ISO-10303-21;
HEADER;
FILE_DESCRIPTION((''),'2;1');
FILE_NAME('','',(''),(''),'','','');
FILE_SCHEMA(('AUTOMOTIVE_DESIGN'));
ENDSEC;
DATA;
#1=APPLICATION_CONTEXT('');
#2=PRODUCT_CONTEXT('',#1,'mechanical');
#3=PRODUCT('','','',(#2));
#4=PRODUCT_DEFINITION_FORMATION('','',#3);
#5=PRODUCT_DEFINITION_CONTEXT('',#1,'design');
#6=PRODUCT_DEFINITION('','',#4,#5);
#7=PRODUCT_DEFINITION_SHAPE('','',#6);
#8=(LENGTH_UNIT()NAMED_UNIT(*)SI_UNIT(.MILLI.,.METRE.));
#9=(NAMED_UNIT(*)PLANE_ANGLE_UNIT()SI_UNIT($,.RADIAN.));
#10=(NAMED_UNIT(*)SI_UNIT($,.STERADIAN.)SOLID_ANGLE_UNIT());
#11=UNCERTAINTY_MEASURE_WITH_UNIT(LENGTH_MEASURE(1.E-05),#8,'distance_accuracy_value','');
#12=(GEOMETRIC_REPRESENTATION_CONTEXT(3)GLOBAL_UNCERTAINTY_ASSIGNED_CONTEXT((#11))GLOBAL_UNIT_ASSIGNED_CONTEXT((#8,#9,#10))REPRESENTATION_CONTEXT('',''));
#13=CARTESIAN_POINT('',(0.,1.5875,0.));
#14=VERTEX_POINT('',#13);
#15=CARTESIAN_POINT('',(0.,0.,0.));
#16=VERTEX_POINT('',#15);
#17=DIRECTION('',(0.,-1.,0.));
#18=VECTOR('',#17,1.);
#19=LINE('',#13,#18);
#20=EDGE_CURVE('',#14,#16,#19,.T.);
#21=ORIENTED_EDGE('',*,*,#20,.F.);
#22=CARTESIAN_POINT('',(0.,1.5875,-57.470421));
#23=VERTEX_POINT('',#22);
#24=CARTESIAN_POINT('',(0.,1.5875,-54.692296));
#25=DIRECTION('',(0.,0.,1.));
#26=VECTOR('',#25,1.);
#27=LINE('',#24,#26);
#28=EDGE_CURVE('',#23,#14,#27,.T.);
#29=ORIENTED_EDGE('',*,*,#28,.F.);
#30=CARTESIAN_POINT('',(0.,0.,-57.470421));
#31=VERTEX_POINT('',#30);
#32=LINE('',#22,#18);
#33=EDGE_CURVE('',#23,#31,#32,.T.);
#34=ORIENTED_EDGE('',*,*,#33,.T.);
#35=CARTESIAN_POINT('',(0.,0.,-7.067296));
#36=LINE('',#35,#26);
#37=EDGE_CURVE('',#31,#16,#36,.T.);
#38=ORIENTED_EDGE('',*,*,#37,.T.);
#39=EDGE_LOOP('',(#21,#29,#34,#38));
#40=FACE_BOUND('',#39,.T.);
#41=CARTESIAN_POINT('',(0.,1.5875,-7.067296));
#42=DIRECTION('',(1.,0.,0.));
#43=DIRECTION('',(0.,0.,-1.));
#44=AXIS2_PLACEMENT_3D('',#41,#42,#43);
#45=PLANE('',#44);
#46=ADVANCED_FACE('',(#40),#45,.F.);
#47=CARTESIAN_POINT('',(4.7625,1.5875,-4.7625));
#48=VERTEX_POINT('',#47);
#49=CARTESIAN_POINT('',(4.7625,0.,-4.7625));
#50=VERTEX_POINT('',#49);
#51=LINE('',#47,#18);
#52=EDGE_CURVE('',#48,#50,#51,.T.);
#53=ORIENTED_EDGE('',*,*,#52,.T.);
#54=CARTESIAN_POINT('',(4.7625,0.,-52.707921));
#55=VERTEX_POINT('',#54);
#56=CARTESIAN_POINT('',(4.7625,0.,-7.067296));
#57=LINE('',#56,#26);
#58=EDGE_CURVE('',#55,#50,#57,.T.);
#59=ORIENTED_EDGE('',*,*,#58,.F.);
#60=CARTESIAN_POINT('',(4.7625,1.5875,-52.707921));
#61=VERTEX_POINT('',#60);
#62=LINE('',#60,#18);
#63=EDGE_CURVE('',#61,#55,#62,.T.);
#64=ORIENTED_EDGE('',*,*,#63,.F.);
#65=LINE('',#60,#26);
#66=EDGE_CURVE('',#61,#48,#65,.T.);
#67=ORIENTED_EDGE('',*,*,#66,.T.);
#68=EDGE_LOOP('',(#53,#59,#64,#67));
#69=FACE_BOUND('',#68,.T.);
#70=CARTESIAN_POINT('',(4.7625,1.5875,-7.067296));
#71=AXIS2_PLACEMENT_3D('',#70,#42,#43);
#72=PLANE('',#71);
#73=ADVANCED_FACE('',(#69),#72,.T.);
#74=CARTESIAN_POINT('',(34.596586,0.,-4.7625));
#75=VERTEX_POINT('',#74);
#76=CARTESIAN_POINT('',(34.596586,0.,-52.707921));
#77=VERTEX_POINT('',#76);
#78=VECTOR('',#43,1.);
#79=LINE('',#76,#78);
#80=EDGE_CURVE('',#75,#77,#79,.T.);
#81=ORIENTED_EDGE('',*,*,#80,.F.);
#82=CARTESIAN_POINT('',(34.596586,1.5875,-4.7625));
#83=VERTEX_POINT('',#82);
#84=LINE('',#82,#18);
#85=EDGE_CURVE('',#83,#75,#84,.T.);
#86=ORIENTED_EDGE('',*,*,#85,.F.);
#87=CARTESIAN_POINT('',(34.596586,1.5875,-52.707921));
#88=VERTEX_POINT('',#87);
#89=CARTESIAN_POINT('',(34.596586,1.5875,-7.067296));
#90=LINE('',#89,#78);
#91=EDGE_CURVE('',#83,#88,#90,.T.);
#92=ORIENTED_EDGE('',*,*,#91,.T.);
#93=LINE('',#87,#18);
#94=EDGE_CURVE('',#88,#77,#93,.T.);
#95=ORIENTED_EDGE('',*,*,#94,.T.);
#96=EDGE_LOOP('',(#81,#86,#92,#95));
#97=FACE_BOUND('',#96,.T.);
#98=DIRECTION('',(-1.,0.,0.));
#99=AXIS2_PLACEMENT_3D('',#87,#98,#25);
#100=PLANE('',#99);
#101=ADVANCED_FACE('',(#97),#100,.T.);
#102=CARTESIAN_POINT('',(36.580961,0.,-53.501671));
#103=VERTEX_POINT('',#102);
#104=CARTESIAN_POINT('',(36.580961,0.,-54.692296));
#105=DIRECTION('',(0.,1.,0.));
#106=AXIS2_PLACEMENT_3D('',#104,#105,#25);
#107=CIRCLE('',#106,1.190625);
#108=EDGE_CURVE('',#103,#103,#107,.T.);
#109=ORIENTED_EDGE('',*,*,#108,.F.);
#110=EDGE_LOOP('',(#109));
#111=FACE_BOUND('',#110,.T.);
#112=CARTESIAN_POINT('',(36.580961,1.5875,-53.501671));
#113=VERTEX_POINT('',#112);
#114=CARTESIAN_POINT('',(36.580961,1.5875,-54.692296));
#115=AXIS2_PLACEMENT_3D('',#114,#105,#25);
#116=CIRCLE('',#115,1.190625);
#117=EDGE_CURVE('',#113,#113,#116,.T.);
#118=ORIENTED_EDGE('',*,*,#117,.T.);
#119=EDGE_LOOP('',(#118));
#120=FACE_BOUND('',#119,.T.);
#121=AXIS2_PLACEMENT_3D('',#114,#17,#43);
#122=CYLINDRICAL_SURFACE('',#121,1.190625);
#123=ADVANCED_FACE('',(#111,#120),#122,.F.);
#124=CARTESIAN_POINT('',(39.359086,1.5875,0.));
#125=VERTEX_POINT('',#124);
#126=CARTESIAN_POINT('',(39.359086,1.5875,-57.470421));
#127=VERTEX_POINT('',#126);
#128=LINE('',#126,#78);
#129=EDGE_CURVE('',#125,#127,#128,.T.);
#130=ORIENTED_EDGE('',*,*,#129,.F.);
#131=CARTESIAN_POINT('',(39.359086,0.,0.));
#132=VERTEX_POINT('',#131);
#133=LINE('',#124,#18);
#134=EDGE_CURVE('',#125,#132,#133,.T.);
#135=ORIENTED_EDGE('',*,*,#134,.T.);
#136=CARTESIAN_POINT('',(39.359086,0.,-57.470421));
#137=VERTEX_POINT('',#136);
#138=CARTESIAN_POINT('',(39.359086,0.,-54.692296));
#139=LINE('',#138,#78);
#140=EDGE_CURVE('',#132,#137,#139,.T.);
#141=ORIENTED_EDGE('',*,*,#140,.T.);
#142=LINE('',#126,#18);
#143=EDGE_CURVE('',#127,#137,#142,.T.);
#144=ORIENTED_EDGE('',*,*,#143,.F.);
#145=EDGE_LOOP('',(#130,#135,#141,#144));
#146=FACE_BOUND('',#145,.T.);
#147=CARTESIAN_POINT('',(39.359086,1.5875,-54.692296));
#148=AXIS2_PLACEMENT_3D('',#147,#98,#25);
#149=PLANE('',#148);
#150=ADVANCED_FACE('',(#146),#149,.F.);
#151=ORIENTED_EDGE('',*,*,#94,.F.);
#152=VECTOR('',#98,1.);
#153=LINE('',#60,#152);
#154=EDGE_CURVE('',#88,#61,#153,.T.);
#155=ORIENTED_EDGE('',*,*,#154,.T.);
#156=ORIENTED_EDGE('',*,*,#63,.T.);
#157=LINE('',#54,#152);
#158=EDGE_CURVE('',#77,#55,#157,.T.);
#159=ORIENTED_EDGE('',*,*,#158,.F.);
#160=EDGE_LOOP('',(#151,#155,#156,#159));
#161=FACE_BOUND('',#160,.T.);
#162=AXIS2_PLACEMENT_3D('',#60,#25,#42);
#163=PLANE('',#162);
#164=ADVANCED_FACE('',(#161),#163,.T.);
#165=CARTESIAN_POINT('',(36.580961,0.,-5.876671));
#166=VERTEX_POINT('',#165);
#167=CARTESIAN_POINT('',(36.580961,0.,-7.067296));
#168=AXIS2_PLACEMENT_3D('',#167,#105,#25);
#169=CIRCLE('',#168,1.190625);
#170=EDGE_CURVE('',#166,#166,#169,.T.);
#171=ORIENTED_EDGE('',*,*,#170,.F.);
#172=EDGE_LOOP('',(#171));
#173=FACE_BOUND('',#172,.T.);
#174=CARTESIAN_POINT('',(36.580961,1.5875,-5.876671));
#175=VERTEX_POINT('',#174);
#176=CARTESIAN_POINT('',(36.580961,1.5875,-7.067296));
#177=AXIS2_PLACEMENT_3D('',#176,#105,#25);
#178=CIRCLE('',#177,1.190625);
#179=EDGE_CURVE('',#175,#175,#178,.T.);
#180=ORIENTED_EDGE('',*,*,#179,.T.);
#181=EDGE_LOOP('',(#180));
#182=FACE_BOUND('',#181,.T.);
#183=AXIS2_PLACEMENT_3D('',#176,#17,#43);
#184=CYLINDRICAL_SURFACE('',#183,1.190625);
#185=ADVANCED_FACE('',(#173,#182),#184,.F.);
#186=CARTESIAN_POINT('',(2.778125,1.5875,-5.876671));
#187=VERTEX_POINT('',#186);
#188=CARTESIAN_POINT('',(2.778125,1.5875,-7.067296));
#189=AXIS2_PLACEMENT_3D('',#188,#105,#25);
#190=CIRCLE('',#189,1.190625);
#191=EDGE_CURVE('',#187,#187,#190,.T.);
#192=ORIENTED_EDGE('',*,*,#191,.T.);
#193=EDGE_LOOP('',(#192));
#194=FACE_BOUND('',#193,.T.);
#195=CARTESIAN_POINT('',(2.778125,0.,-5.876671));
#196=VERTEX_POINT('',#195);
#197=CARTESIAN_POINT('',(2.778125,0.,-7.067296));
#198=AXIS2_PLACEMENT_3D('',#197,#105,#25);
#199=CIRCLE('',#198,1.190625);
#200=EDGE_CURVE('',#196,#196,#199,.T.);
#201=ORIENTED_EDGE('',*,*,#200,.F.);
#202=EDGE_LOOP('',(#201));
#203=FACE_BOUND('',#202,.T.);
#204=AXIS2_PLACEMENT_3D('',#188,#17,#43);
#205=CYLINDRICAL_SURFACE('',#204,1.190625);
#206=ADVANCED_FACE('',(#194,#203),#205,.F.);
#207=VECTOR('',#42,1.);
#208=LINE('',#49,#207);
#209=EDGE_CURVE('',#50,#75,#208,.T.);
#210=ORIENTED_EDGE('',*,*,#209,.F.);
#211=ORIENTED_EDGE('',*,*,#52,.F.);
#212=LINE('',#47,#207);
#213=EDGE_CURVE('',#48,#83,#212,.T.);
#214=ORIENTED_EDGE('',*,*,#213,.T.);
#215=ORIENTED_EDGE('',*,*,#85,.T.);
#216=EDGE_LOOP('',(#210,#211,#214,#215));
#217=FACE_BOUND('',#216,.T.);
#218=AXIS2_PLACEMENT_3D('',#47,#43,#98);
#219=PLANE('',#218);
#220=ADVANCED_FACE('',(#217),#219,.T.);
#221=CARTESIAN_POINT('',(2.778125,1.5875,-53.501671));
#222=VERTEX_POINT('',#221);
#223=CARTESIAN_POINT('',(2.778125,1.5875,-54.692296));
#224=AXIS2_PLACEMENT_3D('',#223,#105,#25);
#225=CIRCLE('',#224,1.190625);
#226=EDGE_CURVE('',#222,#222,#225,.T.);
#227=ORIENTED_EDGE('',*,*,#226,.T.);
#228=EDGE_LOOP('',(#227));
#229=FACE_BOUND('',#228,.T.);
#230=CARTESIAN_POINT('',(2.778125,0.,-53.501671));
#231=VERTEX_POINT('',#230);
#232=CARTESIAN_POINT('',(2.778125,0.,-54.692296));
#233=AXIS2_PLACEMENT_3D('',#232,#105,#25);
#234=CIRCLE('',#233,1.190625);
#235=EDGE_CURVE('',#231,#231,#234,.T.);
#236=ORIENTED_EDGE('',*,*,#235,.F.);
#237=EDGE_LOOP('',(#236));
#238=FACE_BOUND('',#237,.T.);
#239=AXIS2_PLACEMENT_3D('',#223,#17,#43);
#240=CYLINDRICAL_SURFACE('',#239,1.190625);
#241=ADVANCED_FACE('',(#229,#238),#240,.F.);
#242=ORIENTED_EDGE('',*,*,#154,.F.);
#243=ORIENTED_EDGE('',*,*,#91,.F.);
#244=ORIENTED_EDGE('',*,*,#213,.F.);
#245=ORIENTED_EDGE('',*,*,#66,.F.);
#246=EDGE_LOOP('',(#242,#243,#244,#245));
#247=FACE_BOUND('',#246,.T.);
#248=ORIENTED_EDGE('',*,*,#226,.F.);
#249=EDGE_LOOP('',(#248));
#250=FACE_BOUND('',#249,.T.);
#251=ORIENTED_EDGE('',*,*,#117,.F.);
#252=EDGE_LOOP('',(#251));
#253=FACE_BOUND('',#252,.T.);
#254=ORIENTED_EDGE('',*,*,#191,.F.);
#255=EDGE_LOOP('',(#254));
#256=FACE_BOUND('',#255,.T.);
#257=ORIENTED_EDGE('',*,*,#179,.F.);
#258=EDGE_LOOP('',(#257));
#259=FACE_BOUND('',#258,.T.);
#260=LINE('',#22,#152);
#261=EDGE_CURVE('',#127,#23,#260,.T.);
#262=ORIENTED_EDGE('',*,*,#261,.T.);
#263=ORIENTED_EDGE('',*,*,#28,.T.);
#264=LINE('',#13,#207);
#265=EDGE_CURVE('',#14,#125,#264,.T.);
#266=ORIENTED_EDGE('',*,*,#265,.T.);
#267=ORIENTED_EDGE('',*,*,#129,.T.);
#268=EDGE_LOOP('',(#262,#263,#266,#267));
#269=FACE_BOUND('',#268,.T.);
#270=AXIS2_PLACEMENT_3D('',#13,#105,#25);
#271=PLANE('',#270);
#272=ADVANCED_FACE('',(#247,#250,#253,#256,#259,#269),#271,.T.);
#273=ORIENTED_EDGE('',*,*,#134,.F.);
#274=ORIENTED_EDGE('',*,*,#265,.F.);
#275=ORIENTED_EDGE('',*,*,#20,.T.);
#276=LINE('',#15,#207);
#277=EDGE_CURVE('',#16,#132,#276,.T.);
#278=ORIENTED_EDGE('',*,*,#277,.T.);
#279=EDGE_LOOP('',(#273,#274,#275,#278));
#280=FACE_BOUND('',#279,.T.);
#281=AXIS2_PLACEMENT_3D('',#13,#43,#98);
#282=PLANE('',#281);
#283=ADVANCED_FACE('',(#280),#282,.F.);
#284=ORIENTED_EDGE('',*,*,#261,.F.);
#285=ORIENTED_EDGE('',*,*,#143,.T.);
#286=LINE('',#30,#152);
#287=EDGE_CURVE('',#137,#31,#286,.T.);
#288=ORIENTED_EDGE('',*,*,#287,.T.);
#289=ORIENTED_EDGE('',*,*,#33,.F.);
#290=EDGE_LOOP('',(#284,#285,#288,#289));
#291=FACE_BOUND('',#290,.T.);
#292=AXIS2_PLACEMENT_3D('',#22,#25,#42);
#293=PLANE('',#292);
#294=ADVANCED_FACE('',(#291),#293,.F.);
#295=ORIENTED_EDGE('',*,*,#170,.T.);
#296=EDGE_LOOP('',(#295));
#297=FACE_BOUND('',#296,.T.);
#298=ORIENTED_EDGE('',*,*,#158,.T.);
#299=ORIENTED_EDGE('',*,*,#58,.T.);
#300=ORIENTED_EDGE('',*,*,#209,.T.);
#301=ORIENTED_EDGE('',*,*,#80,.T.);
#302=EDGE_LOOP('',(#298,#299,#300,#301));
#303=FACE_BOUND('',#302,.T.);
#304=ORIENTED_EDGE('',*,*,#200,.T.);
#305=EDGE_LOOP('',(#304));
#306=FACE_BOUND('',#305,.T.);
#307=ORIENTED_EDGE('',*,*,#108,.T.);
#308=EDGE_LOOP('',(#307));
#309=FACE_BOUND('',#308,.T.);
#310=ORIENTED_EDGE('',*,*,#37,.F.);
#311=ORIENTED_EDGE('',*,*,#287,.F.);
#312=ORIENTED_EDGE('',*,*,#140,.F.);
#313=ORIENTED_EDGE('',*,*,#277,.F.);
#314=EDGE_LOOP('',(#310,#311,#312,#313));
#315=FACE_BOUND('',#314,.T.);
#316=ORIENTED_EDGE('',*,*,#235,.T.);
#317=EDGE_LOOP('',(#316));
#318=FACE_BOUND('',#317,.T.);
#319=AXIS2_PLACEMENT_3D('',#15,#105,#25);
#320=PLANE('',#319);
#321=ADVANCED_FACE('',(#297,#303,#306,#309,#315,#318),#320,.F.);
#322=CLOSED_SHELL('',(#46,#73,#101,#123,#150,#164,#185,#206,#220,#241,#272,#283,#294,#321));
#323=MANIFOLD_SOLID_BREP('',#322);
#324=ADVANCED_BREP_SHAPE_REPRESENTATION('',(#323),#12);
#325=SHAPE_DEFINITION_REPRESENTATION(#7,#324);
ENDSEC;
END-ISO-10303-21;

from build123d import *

# Parameters (mm, degrees)
SKETCH1_R           = 1.190625
BOSS_EXTRUDE1_DEPTH = 1.5875


with BuildPart() as part:
    # Sketch1 → Boss-Extrude1 (new body)
    with BuildSketch(Plane(origin=(0, 0, 0), x_dir=(1, 0, 0), z_dir=(0, 1, 0))):
        Polygon((0, 54.692295537), (0, 7.067295537), (0, 0), (39.359085702, 0), (39.359085702, 7.067295537), (39.359085702, 54.692295537), (39.359085702, 57.470420537), (0, 57.470420537), align=None)
        with Locations((2.778125, 54.692295537)):
            Circle(SKETCH1_R, mode=Mode.SUBTRACT)
        with Locations((36.580960702, 7.067295537)):
            Circle(SKETCH1_R, mode=Mode.SUBTRACT)
        with Locations((2.778125, 7.067295537)):
            Circle(SKETCH1_R, mode=Mode.SUBTRACT)
        with Locations((36.580960702, 54.692295537)):
            Circle(SKETCH1_R, mode=Mode.SUBTRACT)
        Polygon((4.7625, 52.707920537), (4.7625, 7.067295537), (4.7625, 4.7625), (34.596585702, 4.7625), (34.596585702, 7.067295537), (34.596585702, 52.707920537), align=None, mode=Mode.SUBTRACT)
    extrude(amount=BOSS_EXTRUDE1_DEPTH)


solid = part.part
